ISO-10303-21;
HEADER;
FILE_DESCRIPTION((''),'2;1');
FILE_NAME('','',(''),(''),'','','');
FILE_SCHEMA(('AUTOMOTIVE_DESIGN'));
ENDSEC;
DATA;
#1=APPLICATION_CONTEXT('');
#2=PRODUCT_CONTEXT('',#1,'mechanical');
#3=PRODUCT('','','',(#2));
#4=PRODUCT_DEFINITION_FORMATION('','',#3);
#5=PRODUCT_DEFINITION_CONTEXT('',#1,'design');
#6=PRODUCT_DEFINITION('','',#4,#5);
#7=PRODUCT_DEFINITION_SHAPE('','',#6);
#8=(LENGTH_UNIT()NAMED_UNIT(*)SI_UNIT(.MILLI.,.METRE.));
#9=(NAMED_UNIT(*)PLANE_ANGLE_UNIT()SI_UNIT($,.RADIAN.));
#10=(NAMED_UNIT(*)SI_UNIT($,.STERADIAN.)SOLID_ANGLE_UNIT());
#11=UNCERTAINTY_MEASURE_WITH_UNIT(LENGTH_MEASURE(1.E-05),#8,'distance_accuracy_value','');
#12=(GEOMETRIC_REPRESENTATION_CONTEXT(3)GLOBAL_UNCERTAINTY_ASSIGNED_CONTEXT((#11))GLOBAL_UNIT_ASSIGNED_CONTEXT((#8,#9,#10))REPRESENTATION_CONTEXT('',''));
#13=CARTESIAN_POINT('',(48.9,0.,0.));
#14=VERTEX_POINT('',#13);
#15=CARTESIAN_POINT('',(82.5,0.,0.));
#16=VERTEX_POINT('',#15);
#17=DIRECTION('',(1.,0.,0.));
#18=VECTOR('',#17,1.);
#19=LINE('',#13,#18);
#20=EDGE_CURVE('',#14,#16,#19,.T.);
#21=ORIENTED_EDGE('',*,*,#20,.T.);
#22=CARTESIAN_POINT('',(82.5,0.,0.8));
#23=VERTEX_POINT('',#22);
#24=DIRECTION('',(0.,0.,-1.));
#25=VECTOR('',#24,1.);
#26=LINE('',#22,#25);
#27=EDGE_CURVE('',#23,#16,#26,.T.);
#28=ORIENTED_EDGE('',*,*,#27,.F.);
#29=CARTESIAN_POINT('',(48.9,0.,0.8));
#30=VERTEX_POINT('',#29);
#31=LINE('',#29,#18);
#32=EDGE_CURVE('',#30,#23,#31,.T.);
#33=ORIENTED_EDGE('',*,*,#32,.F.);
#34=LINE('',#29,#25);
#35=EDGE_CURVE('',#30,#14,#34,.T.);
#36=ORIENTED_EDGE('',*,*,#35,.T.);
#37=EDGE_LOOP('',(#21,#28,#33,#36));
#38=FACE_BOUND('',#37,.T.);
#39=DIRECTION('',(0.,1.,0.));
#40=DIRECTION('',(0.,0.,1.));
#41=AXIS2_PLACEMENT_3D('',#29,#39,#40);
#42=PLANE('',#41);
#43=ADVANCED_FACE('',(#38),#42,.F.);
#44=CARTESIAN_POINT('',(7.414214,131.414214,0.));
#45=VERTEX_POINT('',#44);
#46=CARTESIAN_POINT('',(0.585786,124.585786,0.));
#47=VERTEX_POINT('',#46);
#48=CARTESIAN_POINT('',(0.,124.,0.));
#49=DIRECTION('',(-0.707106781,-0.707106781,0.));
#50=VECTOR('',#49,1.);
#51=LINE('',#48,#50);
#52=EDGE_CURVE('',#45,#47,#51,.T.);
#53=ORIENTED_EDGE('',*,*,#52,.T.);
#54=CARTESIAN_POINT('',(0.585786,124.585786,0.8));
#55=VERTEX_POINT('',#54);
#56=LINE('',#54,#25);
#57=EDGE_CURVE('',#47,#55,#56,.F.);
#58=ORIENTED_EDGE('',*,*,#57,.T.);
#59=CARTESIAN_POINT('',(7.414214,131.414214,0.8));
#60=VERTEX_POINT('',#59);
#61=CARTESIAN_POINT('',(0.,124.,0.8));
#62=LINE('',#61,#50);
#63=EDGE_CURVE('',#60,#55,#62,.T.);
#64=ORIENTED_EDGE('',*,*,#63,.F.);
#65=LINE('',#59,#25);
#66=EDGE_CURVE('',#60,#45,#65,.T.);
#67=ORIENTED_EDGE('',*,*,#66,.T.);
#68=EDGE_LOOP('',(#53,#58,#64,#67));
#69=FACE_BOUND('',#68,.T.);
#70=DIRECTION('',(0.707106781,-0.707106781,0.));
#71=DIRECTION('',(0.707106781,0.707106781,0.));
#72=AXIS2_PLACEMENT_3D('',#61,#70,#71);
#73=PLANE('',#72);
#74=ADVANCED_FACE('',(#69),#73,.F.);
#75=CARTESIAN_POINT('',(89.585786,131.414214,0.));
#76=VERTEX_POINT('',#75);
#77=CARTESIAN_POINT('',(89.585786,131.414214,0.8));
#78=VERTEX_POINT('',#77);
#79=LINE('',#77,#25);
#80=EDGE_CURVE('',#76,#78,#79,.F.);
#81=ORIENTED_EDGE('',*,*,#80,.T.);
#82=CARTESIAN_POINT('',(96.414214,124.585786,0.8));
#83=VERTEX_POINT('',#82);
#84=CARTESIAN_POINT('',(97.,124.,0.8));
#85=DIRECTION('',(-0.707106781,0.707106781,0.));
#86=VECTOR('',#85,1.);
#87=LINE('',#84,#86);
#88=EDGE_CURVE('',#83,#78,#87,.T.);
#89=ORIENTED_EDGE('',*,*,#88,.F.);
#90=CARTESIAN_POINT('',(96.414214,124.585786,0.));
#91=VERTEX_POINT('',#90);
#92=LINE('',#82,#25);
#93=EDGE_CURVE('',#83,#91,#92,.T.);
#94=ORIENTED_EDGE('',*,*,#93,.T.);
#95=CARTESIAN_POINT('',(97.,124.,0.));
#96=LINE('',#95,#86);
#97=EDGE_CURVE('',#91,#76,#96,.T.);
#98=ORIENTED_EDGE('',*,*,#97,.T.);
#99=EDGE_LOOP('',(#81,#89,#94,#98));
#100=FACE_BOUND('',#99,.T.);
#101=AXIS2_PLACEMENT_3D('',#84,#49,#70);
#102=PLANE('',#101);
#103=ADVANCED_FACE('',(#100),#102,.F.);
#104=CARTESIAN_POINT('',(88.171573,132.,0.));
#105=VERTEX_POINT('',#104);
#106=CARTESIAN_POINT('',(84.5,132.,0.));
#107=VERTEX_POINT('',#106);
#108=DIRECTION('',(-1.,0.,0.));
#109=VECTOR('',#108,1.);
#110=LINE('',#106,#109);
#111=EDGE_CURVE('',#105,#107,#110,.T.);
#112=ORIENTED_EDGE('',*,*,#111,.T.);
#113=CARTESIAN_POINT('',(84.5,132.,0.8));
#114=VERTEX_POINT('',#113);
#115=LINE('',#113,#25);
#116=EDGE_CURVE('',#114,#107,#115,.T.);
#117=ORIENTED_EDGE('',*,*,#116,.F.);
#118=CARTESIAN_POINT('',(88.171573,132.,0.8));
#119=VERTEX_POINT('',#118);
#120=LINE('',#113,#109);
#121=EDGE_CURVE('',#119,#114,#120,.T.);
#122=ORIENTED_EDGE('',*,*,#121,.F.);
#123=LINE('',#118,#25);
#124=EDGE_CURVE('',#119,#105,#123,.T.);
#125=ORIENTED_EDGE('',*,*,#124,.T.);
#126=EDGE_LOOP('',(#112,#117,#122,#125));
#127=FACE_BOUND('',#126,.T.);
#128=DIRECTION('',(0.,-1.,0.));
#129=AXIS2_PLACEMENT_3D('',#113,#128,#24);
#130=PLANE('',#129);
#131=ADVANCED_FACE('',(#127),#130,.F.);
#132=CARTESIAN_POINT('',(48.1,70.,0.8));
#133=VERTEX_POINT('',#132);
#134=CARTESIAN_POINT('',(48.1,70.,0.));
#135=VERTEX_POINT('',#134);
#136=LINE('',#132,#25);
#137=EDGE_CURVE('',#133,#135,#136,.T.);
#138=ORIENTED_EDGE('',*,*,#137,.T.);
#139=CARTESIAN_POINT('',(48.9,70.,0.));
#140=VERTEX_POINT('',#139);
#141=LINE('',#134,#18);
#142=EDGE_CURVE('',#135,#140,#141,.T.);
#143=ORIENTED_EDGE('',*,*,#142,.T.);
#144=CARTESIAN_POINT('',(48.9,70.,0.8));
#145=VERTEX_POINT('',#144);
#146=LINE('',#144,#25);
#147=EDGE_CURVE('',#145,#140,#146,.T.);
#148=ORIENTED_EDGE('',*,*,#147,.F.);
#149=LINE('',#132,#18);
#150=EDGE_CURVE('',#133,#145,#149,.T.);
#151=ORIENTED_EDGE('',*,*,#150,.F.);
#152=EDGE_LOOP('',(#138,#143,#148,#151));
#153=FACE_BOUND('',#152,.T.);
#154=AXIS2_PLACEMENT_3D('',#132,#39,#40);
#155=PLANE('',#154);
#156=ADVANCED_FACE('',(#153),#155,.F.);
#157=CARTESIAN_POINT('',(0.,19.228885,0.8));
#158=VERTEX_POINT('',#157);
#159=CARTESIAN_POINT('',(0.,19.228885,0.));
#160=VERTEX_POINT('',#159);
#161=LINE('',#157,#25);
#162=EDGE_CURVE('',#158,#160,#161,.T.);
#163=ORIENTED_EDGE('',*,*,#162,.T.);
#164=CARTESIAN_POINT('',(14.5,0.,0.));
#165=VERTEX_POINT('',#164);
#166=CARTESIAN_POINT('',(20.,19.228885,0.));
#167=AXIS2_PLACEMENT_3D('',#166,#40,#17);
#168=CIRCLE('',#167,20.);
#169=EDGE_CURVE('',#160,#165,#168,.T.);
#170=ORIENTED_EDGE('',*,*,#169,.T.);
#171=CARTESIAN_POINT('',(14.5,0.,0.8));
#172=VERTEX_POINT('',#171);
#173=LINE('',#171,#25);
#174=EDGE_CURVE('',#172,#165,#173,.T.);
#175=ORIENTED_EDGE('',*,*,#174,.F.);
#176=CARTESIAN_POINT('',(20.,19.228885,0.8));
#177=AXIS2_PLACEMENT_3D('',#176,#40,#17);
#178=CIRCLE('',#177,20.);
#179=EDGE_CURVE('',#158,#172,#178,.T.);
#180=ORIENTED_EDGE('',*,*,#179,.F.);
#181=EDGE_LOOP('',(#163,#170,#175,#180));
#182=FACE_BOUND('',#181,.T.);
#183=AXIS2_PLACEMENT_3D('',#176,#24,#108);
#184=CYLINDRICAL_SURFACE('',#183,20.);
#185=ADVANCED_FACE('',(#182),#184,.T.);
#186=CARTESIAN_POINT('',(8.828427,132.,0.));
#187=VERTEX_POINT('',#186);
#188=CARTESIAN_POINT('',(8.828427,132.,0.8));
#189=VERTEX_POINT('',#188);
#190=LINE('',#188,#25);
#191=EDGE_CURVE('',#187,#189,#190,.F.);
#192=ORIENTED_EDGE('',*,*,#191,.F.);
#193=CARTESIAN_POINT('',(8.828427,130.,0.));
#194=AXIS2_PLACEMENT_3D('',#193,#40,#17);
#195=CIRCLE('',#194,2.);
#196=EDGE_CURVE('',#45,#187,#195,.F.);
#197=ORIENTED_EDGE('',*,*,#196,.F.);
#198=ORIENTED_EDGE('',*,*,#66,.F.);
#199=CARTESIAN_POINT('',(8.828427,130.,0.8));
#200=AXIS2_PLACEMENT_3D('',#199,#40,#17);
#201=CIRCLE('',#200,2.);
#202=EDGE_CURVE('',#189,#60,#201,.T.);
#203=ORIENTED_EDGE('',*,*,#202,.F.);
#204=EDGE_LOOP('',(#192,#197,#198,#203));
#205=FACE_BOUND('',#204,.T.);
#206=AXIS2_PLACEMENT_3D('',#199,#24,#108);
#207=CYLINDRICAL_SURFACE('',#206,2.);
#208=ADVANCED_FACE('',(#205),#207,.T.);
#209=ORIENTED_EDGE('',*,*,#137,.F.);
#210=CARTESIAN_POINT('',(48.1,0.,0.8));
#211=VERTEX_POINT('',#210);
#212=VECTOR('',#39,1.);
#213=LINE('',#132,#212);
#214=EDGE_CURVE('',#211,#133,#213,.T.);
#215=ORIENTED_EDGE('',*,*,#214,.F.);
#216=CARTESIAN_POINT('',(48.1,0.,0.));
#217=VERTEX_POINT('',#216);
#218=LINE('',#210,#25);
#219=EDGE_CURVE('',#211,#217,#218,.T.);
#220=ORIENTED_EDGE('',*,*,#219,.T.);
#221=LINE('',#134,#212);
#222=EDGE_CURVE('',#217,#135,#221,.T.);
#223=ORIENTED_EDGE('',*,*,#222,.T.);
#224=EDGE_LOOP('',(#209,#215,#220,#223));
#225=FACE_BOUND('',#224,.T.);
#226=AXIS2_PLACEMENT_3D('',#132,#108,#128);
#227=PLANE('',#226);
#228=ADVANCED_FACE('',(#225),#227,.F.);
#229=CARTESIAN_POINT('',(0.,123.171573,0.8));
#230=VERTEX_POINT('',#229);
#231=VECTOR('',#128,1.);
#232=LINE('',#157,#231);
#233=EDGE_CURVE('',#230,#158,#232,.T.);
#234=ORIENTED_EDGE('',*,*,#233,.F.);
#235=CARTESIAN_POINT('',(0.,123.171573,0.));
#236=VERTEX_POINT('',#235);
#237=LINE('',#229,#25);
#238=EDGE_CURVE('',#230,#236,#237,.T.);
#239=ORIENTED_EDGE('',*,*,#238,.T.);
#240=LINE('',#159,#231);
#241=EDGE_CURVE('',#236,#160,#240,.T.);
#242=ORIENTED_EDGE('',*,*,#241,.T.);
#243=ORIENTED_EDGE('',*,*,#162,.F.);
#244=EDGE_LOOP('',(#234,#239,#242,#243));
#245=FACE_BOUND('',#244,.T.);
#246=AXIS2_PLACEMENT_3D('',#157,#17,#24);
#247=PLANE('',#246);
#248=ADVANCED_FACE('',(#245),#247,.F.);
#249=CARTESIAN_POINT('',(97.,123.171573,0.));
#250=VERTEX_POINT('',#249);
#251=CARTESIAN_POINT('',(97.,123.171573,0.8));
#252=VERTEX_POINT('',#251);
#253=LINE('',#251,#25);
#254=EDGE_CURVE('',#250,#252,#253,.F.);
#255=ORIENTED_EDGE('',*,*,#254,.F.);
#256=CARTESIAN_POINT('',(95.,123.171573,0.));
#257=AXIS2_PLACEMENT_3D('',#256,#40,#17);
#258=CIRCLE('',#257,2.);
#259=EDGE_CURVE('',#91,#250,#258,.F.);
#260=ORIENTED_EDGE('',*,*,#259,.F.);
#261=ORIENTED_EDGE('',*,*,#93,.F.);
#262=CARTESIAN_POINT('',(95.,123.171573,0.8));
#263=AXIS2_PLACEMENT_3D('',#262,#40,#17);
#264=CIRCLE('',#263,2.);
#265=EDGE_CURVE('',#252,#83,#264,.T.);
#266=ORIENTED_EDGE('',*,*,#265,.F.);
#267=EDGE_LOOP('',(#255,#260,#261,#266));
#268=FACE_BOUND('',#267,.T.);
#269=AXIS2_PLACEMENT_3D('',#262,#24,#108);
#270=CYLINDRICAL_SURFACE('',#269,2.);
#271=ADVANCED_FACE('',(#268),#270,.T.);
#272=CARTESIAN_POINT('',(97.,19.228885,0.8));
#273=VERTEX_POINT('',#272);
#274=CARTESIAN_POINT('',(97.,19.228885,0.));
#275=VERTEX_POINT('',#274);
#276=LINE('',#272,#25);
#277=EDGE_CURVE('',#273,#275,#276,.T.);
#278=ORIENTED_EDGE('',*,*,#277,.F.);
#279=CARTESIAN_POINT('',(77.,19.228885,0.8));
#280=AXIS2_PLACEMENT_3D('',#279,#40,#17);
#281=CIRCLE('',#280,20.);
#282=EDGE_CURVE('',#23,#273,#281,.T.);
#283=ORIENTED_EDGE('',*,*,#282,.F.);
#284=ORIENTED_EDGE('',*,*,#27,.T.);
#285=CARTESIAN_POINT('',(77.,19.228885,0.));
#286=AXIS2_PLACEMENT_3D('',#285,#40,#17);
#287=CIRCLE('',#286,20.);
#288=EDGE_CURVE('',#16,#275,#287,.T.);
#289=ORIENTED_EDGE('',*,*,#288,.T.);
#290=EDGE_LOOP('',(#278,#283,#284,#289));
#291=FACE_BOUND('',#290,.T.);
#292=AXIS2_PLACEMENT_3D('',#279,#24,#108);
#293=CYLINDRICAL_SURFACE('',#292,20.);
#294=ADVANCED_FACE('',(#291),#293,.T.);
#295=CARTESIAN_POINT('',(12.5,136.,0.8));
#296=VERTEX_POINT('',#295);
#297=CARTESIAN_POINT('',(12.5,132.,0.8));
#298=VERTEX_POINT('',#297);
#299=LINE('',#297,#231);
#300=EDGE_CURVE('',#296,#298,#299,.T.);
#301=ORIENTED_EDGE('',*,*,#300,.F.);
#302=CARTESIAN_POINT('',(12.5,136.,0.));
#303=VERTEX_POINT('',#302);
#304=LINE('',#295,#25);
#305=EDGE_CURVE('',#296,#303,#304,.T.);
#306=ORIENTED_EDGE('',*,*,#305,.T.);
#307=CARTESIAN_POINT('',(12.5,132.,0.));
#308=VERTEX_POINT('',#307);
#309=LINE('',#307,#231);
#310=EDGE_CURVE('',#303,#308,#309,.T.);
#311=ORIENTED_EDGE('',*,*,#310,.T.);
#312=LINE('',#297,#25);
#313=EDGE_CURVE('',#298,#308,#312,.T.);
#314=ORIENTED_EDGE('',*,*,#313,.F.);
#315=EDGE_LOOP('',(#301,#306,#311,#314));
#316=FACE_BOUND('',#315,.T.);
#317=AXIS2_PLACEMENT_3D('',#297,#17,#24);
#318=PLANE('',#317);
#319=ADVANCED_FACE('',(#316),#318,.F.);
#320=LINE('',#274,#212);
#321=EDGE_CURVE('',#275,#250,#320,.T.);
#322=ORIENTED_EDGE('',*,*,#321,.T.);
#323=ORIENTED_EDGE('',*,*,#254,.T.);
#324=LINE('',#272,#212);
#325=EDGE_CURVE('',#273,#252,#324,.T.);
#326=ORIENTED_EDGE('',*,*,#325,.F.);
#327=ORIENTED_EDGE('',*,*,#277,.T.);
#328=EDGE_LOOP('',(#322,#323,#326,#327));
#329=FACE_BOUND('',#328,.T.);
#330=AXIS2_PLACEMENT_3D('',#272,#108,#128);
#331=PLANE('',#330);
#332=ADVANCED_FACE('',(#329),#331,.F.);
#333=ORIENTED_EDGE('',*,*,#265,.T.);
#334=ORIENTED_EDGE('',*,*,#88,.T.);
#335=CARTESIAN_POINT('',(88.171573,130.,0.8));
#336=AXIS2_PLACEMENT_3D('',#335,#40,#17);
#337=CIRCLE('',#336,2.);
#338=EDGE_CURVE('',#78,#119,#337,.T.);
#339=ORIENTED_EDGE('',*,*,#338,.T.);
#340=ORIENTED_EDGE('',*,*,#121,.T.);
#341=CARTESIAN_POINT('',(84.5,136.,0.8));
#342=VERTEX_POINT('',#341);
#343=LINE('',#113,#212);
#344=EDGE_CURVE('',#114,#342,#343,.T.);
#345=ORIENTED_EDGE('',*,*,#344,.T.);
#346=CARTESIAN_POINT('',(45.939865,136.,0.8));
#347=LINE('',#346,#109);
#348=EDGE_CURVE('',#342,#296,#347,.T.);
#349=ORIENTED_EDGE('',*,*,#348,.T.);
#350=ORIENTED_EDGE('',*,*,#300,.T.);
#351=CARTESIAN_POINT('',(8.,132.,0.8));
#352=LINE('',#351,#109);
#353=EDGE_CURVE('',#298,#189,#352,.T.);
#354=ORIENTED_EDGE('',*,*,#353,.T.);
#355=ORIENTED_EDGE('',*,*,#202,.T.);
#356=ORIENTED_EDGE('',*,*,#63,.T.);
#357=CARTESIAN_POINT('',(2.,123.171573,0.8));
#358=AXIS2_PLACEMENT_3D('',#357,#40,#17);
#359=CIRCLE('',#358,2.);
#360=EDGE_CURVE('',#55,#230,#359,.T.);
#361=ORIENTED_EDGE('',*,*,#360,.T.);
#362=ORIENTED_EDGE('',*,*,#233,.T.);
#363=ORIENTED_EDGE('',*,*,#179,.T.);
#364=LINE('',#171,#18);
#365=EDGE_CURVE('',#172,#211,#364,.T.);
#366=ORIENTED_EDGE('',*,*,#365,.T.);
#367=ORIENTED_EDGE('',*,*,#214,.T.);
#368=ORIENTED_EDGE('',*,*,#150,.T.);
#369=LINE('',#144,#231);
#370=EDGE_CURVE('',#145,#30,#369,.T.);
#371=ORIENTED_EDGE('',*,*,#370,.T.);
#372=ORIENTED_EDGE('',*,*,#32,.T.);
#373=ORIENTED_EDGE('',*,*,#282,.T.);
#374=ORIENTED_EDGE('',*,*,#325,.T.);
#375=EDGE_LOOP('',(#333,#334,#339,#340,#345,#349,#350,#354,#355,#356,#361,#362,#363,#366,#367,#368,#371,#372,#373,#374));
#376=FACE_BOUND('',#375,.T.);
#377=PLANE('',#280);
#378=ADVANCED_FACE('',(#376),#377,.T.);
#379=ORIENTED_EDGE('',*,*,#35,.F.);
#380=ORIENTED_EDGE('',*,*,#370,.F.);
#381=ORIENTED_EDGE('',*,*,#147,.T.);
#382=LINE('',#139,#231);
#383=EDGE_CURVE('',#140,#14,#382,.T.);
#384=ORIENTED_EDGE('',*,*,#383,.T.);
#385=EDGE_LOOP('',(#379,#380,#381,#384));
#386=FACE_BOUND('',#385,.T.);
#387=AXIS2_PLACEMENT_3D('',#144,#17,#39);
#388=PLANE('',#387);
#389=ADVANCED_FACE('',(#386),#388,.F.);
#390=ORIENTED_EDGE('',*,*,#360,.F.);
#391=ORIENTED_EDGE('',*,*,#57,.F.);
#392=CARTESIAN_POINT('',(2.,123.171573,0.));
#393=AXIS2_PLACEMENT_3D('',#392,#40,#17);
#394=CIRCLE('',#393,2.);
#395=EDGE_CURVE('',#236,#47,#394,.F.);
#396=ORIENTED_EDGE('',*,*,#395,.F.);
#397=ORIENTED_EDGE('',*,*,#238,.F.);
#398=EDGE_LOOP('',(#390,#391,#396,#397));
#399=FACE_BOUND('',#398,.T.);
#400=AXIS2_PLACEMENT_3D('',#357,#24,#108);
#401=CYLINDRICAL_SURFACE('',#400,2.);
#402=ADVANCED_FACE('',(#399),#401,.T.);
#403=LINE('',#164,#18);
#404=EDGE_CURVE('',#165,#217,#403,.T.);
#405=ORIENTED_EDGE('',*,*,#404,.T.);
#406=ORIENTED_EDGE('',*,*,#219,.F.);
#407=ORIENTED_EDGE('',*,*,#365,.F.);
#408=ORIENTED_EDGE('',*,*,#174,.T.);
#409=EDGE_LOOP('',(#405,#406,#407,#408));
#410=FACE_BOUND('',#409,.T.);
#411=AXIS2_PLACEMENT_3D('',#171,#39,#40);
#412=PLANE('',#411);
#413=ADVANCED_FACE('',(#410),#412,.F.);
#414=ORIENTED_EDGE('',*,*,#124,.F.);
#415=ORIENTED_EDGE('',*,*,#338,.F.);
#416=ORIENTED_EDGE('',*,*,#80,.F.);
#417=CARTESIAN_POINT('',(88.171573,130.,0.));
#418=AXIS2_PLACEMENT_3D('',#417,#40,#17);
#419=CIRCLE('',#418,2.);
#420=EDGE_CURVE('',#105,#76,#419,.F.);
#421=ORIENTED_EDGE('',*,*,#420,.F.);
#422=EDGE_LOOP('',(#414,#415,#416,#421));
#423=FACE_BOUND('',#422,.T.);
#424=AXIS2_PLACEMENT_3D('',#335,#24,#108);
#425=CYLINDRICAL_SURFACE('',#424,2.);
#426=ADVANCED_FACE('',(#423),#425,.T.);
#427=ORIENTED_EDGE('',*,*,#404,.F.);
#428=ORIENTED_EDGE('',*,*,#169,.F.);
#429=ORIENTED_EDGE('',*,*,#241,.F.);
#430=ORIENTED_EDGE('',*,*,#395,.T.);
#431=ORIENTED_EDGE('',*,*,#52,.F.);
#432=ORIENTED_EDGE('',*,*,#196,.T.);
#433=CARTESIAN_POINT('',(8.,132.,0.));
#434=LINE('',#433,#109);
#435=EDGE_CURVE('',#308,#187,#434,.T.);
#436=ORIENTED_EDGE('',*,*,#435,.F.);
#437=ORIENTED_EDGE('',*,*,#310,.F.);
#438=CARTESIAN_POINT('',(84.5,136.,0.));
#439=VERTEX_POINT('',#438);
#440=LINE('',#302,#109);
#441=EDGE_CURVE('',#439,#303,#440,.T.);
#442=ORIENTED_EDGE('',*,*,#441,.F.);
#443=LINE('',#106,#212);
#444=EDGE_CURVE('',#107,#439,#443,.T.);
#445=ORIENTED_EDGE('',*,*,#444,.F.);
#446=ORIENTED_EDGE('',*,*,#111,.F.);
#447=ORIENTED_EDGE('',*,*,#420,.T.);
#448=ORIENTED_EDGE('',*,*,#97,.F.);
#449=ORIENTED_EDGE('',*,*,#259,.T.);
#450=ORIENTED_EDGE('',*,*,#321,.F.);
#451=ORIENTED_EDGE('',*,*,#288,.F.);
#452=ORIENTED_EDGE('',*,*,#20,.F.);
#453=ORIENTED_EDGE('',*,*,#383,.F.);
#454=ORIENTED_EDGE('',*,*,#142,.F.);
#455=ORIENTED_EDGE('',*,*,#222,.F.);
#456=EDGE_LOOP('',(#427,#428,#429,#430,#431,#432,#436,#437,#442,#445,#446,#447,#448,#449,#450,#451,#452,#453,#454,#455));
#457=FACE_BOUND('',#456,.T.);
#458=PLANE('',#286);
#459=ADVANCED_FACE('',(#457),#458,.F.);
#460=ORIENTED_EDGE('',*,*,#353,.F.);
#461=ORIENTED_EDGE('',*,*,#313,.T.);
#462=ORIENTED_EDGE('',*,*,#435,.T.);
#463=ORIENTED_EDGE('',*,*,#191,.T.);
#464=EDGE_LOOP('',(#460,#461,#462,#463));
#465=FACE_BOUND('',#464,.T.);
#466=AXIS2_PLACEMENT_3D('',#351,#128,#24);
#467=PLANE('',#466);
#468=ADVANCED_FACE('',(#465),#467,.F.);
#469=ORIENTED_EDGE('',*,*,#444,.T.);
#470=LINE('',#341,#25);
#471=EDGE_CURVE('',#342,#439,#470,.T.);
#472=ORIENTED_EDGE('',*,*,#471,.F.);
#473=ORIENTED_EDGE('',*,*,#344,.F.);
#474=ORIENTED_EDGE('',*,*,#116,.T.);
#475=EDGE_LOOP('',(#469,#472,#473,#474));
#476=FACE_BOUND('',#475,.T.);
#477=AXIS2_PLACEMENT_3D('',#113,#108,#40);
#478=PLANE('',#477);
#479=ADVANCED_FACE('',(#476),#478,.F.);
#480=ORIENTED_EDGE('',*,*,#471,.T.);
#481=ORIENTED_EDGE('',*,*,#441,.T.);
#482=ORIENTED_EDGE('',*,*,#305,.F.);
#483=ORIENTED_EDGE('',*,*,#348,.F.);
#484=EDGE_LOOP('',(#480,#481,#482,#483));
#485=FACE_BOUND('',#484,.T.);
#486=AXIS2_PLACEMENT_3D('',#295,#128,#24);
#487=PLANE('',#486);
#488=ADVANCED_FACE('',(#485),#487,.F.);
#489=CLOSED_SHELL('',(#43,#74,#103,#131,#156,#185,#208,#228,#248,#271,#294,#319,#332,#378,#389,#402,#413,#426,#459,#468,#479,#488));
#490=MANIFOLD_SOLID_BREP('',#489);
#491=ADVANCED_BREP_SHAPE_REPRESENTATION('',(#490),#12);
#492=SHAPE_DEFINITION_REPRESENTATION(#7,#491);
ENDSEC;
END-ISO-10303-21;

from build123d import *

# Parameters (mm, degrees)
BOSS_EXTRUDE1_DEPTH = 0.8
FILLET1_R           = 2


with BuildPart() as part:
    # Sketch1 → Boss-Extrude1 (new body)
    with BuildSketch(Plane.XY):
        with BuildLine():
            Line((14.5, 0), (48.1, 0))
            Line((48.1, 0), (48.1, 70))
            Line((48.1, 70), (48.9, 70))
            Line((48.9, 70), (48.9, 0))
            Line((48.9, 0), (82.5, 0))
            ThreePointArc((82.5, 0), (92.968719423, 7.187289944), (97, 19.228884523))
            Line((97, 19.228884523), (97, 124))
            Line((97, 124), (89, 132))
            Line((89, 132), (84.5, 132))
            Line((84.5, 132), (84.5, 136))
            Line((84.5, 136), (45.939865431, 136))
            Line((45.939865431, 136), (12.5, 136))
            Line((12.5, 136), (12.5, 132))
            Line((12.5, 132), (8, 132))
            Line((8, 132), (0, 124))
            Line((0, 124), (0, 19.228884523))
            ThreePointArc((0, 19.228884523), (4.031280577, 7.187289944), (14.5, 0))
        make_face()
    extrude(amount=BOSS_EXTRUDE1_DEPTH)

    # Fillet1
    fillet1_edges = [part.edges().sort_by_distance(p)[0] for p in [
        (89, 132, 0.4),
        (97, 124, 0.4),
        (0, 124, 0.4),
        (8, 132, 0.4),
    ]]
    fillet(fillet1_edges, radius=FILLET1_R)


solid = part.part
